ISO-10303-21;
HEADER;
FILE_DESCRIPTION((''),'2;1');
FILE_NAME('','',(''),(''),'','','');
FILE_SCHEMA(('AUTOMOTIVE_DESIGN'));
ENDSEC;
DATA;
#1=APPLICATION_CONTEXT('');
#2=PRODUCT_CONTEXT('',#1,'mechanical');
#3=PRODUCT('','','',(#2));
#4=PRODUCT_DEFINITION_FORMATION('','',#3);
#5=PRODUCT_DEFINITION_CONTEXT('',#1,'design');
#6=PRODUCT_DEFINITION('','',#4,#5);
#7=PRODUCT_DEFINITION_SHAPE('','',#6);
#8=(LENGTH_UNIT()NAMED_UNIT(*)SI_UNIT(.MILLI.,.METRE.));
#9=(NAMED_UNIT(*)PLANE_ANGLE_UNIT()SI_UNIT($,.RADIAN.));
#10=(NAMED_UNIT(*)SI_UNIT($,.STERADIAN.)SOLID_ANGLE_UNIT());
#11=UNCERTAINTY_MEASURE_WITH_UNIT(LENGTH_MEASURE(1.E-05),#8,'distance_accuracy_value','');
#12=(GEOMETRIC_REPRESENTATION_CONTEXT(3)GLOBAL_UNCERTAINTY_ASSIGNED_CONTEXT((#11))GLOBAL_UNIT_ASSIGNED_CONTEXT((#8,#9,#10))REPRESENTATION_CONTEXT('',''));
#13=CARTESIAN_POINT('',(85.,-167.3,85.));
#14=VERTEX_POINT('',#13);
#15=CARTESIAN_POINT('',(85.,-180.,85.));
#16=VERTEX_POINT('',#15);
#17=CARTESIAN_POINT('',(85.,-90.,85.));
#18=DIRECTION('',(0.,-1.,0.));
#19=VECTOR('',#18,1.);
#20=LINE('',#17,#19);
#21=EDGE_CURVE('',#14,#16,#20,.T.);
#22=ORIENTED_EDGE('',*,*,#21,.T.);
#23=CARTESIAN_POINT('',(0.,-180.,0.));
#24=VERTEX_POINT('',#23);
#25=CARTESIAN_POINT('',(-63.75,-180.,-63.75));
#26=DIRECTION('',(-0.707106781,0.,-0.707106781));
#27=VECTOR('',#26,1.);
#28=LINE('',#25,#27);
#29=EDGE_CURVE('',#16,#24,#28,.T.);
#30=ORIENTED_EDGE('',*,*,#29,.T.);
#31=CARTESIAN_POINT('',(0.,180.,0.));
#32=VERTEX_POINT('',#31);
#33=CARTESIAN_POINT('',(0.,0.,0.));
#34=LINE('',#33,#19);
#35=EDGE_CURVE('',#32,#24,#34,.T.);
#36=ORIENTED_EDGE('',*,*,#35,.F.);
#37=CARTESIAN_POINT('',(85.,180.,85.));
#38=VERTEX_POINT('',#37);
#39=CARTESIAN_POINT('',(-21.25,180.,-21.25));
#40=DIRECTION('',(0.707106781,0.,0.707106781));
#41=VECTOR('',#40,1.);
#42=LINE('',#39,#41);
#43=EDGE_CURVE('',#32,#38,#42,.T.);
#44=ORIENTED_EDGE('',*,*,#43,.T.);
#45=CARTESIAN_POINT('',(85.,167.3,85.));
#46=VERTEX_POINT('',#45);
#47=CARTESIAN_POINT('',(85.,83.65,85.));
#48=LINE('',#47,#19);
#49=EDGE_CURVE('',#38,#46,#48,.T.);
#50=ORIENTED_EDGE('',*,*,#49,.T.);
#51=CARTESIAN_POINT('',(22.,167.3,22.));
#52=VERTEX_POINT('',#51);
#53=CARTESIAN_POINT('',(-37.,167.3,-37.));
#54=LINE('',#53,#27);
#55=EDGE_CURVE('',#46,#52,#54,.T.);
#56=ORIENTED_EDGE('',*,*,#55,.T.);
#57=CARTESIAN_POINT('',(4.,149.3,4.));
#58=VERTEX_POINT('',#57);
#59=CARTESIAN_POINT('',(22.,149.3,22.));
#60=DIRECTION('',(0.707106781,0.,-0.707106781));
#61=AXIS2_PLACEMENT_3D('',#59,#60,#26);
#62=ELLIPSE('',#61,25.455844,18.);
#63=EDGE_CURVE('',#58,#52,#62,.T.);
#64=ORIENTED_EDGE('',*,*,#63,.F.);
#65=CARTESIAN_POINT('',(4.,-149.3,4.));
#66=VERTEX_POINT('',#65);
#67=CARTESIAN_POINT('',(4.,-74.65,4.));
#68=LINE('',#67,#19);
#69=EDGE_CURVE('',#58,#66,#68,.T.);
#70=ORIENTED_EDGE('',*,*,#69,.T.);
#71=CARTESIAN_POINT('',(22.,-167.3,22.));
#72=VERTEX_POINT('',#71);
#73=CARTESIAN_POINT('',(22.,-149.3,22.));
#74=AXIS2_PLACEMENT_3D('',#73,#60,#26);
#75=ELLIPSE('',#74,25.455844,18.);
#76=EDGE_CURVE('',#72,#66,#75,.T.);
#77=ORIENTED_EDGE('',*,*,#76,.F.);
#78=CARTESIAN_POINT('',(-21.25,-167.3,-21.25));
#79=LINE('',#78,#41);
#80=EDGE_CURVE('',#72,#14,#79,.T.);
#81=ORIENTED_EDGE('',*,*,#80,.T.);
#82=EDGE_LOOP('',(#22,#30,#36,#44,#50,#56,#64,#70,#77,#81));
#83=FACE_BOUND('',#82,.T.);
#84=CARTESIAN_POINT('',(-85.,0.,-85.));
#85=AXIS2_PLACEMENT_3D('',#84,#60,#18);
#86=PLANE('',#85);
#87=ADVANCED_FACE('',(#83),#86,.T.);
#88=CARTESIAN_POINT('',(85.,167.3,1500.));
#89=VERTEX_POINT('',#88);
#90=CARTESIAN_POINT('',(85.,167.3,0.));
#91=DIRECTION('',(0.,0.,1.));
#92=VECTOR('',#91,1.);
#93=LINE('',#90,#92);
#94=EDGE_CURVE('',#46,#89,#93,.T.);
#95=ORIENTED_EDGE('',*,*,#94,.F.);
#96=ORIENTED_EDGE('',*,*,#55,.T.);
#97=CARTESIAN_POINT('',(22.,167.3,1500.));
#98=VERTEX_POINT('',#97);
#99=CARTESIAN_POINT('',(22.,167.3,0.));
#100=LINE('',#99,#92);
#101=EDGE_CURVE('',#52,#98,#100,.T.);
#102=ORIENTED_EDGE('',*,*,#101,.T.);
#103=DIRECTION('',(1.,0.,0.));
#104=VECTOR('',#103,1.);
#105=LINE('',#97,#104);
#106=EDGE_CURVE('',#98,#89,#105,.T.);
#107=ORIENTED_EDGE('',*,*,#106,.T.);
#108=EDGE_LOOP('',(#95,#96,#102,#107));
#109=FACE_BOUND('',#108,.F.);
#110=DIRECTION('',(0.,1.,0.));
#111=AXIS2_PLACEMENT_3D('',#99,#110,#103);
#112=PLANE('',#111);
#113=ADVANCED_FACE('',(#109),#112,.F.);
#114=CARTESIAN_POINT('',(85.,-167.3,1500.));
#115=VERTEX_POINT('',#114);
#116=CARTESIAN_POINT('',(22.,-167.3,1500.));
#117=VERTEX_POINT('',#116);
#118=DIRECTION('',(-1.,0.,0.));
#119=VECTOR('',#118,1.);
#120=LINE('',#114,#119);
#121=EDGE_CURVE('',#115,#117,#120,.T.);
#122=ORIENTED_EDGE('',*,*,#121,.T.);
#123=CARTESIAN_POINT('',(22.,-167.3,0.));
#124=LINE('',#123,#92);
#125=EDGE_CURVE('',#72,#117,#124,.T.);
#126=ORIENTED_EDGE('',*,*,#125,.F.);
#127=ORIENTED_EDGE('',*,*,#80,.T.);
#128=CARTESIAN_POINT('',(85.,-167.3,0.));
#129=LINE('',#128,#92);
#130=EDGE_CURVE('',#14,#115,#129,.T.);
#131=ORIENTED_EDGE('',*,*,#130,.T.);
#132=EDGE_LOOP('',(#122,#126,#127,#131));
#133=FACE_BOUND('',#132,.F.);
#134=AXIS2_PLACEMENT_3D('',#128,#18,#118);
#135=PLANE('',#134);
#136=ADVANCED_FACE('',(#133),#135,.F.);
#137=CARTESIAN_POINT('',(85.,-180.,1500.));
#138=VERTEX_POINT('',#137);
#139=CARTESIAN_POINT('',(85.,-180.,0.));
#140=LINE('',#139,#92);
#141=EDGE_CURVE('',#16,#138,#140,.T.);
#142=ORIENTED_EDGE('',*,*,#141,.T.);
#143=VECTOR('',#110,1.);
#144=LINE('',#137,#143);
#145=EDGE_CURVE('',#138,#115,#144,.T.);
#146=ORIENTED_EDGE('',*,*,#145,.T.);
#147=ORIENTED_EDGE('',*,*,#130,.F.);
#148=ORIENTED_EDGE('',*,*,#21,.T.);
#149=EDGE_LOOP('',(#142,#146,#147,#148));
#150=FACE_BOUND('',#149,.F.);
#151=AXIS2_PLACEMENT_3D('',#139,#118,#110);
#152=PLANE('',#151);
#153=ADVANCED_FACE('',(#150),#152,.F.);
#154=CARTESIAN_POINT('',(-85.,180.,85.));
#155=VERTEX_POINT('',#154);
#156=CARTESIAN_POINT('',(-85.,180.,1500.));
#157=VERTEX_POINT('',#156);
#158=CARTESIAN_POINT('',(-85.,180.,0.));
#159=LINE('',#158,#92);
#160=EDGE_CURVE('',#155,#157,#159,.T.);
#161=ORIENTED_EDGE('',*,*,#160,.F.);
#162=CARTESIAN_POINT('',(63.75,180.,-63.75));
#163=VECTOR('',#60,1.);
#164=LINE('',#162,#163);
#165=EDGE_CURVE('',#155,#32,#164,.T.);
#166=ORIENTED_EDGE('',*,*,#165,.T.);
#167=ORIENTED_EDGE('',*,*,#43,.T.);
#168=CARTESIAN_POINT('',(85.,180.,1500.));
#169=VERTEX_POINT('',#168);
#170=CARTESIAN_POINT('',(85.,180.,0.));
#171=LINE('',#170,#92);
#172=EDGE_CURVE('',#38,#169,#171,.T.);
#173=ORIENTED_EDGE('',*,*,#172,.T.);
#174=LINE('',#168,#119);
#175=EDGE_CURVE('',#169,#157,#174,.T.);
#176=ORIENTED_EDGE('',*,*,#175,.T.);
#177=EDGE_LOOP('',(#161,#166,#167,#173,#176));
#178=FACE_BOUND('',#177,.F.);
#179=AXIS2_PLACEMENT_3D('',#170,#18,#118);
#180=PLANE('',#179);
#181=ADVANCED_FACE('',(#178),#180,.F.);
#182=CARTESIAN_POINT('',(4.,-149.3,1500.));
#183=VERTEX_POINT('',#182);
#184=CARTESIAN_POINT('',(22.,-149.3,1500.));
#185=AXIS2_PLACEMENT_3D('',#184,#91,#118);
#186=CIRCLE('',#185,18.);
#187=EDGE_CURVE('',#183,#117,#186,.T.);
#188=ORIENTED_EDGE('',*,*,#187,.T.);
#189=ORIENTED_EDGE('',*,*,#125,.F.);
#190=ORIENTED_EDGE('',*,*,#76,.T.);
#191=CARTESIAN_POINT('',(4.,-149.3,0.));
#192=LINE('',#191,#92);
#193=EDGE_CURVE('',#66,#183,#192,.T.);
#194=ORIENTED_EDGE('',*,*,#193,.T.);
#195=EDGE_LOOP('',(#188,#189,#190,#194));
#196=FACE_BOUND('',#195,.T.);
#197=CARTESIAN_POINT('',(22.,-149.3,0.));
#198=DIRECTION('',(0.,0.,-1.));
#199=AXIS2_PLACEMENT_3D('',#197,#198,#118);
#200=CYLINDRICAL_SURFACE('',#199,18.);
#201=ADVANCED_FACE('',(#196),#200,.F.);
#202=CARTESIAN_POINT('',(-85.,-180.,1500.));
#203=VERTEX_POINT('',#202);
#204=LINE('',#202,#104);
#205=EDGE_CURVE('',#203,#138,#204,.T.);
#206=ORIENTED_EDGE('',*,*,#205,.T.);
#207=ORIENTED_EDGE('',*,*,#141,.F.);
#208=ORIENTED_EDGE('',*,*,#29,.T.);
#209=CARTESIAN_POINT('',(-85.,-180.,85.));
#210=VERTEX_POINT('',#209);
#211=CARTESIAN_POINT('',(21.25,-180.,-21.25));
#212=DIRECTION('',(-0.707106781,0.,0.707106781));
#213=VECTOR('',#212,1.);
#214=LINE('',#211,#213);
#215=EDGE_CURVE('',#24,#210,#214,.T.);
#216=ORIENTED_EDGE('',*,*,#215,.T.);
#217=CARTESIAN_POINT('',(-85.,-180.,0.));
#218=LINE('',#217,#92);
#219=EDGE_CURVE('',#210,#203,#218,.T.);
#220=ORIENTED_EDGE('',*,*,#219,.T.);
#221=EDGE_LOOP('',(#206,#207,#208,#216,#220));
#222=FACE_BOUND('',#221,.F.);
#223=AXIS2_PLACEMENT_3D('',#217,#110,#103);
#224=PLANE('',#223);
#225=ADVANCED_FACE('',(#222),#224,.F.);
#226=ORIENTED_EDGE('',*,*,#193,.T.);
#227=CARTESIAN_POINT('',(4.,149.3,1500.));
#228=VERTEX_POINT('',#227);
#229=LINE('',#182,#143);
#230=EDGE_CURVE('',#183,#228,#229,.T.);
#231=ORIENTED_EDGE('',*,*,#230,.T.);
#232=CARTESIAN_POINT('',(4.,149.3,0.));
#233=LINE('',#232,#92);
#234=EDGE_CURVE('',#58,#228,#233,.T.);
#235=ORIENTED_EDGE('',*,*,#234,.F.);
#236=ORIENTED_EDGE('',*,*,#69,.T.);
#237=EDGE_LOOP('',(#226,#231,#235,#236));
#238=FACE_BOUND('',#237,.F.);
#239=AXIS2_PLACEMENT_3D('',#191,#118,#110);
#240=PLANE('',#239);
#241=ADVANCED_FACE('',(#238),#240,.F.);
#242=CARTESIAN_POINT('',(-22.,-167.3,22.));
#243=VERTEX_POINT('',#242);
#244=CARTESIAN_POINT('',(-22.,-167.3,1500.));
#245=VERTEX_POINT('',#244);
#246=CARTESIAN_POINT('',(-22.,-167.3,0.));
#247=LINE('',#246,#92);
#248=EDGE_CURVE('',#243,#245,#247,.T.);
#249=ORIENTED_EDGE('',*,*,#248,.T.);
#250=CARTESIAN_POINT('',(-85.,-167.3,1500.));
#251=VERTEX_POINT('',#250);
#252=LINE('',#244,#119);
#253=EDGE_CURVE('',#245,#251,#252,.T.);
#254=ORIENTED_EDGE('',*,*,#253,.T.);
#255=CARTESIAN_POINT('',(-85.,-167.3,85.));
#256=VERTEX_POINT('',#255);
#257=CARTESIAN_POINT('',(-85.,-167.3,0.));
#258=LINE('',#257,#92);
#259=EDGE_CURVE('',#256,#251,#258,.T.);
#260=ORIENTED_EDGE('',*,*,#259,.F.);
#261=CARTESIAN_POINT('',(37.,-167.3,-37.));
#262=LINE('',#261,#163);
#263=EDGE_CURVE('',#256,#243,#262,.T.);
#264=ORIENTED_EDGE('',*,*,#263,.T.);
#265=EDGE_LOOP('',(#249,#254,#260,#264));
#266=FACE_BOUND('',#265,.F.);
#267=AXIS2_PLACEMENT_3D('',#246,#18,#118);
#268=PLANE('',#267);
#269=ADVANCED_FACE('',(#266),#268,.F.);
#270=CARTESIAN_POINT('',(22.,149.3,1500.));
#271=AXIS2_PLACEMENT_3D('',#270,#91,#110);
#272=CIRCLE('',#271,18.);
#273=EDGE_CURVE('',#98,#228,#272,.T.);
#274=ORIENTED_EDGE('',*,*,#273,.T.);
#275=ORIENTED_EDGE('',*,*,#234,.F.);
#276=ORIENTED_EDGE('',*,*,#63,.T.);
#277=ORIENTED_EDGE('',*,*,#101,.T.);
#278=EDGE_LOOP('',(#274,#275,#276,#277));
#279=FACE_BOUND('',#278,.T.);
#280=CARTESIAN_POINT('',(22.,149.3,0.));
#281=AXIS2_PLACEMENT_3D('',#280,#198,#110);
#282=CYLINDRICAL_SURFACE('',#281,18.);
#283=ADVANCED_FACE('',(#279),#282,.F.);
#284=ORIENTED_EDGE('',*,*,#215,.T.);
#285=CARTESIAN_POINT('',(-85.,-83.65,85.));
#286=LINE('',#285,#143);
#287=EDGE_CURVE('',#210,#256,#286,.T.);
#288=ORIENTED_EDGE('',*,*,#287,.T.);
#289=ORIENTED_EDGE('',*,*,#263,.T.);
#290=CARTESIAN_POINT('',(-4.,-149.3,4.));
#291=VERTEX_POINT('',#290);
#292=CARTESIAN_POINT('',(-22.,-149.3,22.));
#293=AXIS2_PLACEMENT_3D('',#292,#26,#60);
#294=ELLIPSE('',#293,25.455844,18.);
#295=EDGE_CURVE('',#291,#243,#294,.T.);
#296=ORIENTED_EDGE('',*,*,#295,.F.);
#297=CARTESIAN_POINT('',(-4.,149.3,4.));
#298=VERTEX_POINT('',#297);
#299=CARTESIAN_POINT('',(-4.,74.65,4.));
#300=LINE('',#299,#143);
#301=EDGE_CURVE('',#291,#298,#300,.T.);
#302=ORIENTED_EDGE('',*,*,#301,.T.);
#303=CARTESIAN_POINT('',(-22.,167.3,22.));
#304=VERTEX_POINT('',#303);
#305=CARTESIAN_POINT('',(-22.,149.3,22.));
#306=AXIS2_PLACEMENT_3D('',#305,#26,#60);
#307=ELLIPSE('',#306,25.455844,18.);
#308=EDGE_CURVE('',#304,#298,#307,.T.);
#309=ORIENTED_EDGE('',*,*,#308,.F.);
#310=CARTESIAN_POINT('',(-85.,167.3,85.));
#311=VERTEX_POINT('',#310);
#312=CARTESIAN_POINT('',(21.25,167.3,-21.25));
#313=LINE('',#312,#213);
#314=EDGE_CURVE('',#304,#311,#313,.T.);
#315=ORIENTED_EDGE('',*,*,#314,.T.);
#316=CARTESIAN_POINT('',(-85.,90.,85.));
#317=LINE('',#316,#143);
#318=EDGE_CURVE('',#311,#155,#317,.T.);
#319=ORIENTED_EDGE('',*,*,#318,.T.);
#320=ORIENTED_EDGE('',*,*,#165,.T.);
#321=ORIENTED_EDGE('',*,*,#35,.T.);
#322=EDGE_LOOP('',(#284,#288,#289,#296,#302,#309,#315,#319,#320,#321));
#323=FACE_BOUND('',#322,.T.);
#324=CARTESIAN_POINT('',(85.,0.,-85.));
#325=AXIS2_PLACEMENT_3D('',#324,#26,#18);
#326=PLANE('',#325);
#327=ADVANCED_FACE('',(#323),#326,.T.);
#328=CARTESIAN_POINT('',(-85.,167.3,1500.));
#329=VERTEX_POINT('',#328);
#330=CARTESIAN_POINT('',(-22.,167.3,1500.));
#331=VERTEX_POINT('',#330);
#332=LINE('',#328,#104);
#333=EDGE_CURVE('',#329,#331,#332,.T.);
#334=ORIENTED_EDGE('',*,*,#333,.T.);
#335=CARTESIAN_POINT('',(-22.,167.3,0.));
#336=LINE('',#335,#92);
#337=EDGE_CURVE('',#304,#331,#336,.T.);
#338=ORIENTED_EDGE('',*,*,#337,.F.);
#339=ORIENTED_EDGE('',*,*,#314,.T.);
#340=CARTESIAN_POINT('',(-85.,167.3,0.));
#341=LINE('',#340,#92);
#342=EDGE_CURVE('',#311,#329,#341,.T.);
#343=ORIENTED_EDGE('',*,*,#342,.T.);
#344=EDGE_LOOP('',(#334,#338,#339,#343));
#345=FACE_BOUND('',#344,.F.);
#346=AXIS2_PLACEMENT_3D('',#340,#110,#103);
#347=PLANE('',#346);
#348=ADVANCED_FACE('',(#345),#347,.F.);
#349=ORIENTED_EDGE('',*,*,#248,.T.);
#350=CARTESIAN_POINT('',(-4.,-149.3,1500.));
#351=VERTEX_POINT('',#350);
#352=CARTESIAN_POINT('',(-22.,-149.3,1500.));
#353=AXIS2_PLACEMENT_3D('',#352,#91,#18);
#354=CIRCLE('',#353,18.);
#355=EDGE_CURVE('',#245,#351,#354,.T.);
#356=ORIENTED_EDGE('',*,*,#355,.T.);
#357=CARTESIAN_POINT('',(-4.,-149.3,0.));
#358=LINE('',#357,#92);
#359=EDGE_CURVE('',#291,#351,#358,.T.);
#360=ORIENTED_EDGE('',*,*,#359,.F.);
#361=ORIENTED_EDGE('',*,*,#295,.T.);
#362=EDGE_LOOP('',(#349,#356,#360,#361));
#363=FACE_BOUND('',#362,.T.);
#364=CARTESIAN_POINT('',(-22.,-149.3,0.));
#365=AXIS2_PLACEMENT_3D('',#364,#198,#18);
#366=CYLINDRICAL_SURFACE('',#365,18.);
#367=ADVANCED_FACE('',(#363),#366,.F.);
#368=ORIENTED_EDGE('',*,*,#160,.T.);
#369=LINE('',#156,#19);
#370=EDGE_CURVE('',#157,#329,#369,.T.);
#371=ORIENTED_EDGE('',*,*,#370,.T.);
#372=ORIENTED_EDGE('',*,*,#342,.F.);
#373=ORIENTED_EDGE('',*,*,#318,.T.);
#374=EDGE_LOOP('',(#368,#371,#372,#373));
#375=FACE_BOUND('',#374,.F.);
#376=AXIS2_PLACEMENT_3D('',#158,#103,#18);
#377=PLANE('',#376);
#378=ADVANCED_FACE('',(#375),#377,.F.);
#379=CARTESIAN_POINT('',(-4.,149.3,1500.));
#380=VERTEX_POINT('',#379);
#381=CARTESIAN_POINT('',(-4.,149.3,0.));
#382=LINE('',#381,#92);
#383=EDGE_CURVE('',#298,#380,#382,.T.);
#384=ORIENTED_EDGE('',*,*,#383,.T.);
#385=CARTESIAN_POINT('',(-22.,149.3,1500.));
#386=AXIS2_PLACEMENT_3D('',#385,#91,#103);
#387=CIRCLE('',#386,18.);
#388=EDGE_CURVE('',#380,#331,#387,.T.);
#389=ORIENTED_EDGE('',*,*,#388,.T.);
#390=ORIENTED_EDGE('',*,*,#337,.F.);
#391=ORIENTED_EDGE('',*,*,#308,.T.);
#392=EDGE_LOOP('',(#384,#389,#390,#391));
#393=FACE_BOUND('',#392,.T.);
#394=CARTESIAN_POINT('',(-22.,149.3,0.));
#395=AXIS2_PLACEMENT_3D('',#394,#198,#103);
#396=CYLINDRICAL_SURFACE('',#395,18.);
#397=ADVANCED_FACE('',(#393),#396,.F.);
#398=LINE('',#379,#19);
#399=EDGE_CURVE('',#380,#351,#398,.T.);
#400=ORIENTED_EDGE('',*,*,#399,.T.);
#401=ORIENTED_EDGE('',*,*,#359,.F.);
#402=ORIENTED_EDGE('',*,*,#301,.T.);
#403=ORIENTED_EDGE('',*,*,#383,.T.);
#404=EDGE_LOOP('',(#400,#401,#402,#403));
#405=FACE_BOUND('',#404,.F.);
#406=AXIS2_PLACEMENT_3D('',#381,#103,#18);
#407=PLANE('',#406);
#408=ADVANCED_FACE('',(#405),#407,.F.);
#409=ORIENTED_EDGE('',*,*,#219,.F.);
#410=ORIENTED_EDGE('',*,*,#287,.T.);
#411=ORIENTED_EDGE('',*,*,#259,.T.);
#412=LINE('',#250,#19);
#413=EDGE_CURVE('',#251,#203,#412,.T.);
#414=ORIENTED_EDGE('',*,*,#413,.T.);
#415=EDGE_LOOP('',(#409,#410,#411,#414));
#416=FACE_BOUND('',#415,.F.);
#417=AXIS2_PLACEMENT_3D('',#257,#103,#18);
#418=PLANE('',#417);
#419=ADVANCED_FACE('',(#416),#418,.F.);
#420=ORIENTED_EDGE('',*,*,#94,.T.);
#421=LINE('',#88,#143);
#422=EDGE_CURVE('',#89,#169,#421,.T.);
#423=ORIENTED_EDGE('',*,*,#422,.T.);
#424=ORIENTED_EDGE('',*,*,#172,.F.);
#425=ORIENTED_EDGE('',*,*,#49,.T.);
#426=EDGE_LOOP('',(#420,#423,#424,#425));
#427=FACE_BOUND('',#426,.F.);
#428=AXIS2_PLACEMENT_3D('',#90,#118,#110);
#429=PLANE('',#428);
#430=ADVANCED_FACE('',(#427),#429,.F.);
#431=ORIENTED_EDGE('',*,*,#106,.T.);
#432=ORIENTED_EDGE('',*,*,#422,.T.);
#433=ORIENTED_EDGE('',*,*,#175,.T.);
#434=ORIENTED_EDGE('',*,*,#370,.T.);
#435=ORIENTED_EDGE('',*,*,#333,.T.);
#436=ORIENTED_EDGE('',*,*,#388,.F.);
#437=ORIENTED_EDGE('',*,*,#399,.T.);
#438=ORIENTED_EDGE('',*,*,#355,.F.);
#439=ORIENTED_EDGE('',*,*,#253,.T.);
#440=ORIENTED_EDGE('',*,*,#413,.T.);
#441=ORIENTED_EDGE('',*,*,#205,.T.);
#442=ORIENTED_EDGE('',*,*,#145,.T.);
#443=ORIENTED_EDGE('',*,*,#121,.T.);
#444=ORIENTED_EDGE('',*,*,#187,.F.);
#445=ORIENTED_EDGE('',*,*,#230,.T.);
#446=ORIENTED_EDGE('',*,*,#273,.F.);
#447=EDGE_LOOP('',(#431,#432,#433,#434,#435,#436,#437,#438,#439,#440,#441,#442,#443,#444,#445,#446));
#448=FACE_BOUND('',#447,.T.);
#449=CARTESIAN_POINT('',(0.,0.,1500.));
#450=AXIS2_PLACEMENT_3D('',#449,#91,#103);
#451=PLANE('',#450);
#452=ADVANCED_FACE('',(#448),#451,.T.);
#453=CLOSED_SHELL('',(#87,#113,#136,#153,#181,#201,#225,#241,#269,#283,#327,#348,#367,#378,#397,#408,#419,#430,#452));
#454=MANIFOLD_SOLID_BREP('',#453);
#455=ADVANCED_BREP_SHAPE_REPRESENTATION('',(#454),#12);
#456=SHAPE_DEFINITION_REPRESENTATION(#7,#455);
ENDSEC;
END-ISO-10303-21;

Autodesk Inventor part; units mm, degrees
ref_plane "Start Plane" through (0, 0, 0) normal (0, 0, 1) x (1, 0, 0)
ref_plane "End Plane" through (0, 0, 1500) normal (0, 0, 1) x (1, 0, 0)
sketch "Sketch" plane through (0, 0, 0) normal (0, 0, 1) x (1, 0, 0)
  line L0 (-85, 167.3) -> (-22, 167.3)
  line L1 (-85, 180) -> (-85, 167.3)
  line L2 (85, 180) -> (-85, 180)
  line L3 (85, 167.3) -> (85, 180)
  line L4 (22, 167.3) -> (85, 167.3)
  line L5 (4, -149.3) -> (4, 149.3)
  line L6 (85, -167.3) -> (22, -167.3)
  line L7 (85, -180) -> (85, -167.3)
  line L8 (-85, -167.3) -> (-85, -180)
  line L9 (-22, -167.3) -> (-85, -167.3)
  line L10 (-4, 149.3) -> (-4, -149.3)
  line L11 (0, -252) -> (0, 252) construction
  line L12 (-4, -167.3) -> (4, -167.3) construction
  arc A0 (-22, -167.3) -> (-4, -149.3) centre (-22, -149.3) ccw
  arc A1 (-4, 149.3) -> (-22, 167.3) centre (-22, 149.3) ccw
  arc A2 (22, 167.3) -> (4, 149.3) centre (22, 149.3) ccw
  arc A3 (4, -149.3) -> (22, -167.3) centre (22, -149.3) ccw
  line L13 (-119, 0) -> (119, 0) construction
  line L14 (-85, -180) -> (85, -180)
  point P0 (-4, 167.3)
  point P1 (4, 167.3)
  point P2 (0, 0)
  point P3 (0, -167.3)
  point P4 (0, 0)
  dimension "d1" = 360
  dimension "d3" = 12.7
  dimension "d5" = 8
  dimension "d7" = 170
  dimension "d13" = 18
  dimension "d14" = 180
  dimension "d15" = 85
extrude "Body" add sketch "Sketch" along normal up to surface (1500 mm away) from surface at 0
sketch "Sketch3" plane through (0, 0, 0) normal (0, 0, 1) x (1, 0, 0)
  line L0 (0, 0) -> (10, 0)
ref_plane "Work Plane3" through (0, 0, 0) normal (0, -1, 0) x (1, 0, 0)
ref_plane "Work Plane4" through (85, 0, -85) normal (-0.7071, 0, -0.7071) x (-0.7071, 0, 0.7071)
split "Split1" plane through (85, 0, -85) removes the side toward (-0.7071, 0, -0.7071)
ref_plane "Work Plane5" through (-85, 0, -85) normal (0.7071, 0, -0.7071) x (-0.7071, 0, -0.7071)
split "Split2" plane through (-85, 0, -85) removes the side toward (0.7071, 0, -0.7071)
sketch "Sketch4" plane through (0, 0, 0) normal (0, -1, 0) x (1, 0, 0)
  line L0 (-2, 0) -> (12, 0) projected
  line L1 (-2, 1500) -> (12, 1500) projected
  dimension "d19" = 1500
equation "\"d1\" = ParH"
equation "\"d3\" = t2"
equation "\"d5\" = t1"
equation "\"d7\" = b"
equation "\"d13\" = R1"
equation "\"d14\" = 0.5 * d1"
equation "\"d15\" = 0.5 * d7"
equation "\"d8\" = G_L"
equation "\"b\" = 170"
equation "\"ParH\" = 360"
equation "\"R1\" = 18"
equation "\"G_L\" = d19"
equation "\"t1\" = 8"
equation "\"t2\" = 12.7"
equation "\"G_OFFSET_START\" = 0"
equation "\"G_OFFSET_END\" = 0"
properties part number "DIN 1025 - IPE 360-1500" material "Steel, Mild"
